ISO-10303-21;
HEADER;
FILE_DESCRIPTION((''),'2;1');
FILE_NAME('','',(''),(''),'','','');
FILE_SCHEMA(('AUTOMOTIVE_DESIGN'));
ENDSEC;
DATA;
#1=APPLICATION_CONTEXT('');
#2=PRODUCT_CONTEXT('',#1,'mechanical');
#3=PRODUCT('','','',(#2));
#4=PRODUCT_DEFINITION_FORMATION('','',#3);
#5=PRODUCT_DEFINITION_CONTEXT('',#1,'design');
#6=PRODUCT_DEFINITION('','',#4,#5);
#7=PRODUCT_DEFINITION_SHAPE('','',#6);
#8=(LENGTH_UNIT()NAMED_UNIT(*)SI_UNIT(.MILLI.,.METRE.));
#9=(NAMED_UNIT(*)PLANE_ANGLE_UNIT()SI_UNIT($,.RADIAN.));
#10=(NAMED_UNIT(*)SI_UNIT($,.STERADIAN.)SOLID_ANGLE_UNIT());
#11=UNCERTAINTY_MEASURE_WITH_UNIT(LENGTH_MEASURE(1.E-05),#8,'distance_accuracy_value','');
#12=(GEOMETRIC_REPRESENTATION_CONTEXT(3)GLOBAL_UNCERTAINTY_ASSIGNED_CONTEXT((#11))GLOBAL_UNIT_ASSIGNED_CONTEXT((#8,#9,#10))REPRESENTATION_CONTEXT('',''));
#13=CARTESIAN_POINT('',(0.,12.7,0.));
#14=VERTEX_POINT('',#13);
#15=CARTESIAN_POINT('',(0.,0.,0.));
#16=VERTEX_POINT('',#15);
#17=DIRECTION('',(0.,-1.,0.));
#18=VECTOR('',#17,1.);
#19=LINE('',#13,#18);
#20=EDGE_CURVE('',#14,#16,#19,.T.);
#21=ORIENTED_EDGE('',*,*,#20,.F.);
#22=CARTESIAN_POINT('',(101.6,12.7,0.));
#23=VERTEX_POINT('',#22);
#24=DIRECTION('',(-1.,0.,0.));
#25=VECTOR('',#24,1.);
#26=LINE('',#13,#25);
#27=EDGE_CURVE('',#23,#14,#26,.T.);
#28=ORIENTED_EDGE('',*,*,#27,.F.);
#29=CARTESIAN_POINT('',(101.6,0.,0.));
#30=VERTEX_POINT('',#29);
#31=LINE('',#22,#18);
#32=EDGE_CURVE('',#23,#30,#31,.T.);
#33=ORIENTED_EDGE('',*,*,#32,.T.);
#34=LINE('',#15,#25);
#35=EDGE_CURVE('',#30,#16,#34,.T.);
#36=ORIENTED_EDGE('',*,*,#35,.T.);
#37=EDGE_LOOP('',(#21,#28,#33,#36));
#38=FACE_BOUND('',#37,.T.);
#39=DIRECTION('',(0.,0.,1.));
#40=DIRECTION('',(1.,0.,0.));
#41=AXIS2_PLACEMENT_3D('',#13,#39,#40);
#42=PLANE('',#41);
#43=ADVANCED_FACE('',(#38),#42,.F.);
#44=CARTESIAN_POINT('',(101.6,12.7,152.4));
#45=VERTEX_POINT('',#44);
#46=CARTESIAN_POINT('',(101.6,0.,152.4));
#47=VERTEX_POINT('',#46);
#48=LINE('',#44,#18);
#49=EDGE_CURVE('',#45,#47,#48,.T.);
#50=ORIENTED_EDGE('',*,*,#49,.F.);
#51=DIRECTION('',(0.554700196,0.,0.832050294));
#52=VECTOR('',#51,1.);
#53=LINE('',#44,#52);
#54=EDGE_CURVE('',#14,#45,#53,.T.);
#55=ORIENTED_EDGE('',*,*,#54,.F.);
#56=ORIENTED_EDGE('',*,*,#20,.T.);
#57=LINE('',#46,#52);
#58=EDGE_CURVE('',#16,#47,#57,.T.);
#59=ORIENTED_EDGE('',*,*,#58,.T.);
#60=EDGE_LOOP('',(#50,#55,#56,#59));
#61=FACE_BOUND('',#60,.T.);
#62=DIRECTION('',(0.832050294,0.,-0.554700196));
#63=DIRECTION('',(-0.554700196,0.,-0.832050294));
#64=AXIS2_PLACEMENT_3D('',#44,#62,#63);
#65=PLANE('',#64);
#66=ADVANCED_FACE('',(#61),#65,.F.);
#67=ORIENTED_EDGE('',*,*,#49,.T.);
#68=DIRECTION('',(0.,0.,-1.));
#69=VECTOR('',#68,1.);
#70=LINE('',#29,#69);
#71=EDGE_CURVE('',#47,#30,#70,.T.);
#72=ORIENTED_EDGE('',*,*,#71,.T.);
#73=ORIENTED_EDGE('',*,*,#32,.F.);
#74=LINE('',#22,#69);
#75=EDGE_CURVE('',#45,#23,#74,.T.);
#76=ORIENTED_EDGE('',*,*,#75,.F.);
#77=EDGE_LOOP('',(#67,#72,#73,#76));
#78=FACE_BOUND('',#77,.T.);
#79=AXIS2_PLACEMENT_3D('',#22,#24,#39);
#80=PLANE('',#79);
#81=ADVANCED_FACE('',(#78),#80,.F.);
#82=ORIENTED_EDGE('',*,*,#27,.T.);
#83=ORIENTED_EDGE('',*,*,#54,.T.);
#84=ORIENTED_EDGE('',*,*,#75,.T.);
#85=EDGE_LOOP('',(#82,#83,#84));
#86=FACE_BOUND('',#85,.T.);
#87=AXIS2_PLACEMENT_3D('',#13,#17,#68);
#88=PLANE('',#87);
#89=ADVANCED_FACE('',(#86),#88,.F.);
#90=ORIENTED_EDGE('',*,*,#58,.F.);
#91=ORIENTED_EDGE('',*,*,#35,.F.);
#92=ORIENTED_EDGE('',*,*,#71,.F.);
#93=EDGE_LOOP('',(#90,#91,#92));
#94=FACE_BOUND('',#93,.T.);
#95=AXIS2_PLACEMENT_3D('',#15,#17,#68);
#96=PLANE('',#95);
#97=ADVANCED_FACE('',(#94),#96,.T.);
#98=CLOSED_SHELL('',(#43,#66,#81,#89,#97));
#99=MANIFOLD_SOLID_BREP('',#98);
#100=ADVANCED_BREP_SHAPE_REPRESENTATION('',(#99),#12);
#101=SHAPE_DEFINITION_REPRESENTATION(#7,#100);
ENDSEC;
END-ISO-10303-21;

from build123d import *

# Parameters (mm, degrees)
BOSS_EXTRUDE1_DEPTH = 12.7


with BuildPart() as part:
    # Sketch1 → Boss-Extrude1 (new body)
    with BuildSketch(Plane(origin=(0, 0, 0), x_dir=(1, 0, 0), z_dir=(0, 1, 0))):
        Polygon((0, 0), (101.6, 0), (101.6, -152.4), align=None)
    extrude(amount=BOSS_EXTRUDE1_DEPTH)


solid = part.part
